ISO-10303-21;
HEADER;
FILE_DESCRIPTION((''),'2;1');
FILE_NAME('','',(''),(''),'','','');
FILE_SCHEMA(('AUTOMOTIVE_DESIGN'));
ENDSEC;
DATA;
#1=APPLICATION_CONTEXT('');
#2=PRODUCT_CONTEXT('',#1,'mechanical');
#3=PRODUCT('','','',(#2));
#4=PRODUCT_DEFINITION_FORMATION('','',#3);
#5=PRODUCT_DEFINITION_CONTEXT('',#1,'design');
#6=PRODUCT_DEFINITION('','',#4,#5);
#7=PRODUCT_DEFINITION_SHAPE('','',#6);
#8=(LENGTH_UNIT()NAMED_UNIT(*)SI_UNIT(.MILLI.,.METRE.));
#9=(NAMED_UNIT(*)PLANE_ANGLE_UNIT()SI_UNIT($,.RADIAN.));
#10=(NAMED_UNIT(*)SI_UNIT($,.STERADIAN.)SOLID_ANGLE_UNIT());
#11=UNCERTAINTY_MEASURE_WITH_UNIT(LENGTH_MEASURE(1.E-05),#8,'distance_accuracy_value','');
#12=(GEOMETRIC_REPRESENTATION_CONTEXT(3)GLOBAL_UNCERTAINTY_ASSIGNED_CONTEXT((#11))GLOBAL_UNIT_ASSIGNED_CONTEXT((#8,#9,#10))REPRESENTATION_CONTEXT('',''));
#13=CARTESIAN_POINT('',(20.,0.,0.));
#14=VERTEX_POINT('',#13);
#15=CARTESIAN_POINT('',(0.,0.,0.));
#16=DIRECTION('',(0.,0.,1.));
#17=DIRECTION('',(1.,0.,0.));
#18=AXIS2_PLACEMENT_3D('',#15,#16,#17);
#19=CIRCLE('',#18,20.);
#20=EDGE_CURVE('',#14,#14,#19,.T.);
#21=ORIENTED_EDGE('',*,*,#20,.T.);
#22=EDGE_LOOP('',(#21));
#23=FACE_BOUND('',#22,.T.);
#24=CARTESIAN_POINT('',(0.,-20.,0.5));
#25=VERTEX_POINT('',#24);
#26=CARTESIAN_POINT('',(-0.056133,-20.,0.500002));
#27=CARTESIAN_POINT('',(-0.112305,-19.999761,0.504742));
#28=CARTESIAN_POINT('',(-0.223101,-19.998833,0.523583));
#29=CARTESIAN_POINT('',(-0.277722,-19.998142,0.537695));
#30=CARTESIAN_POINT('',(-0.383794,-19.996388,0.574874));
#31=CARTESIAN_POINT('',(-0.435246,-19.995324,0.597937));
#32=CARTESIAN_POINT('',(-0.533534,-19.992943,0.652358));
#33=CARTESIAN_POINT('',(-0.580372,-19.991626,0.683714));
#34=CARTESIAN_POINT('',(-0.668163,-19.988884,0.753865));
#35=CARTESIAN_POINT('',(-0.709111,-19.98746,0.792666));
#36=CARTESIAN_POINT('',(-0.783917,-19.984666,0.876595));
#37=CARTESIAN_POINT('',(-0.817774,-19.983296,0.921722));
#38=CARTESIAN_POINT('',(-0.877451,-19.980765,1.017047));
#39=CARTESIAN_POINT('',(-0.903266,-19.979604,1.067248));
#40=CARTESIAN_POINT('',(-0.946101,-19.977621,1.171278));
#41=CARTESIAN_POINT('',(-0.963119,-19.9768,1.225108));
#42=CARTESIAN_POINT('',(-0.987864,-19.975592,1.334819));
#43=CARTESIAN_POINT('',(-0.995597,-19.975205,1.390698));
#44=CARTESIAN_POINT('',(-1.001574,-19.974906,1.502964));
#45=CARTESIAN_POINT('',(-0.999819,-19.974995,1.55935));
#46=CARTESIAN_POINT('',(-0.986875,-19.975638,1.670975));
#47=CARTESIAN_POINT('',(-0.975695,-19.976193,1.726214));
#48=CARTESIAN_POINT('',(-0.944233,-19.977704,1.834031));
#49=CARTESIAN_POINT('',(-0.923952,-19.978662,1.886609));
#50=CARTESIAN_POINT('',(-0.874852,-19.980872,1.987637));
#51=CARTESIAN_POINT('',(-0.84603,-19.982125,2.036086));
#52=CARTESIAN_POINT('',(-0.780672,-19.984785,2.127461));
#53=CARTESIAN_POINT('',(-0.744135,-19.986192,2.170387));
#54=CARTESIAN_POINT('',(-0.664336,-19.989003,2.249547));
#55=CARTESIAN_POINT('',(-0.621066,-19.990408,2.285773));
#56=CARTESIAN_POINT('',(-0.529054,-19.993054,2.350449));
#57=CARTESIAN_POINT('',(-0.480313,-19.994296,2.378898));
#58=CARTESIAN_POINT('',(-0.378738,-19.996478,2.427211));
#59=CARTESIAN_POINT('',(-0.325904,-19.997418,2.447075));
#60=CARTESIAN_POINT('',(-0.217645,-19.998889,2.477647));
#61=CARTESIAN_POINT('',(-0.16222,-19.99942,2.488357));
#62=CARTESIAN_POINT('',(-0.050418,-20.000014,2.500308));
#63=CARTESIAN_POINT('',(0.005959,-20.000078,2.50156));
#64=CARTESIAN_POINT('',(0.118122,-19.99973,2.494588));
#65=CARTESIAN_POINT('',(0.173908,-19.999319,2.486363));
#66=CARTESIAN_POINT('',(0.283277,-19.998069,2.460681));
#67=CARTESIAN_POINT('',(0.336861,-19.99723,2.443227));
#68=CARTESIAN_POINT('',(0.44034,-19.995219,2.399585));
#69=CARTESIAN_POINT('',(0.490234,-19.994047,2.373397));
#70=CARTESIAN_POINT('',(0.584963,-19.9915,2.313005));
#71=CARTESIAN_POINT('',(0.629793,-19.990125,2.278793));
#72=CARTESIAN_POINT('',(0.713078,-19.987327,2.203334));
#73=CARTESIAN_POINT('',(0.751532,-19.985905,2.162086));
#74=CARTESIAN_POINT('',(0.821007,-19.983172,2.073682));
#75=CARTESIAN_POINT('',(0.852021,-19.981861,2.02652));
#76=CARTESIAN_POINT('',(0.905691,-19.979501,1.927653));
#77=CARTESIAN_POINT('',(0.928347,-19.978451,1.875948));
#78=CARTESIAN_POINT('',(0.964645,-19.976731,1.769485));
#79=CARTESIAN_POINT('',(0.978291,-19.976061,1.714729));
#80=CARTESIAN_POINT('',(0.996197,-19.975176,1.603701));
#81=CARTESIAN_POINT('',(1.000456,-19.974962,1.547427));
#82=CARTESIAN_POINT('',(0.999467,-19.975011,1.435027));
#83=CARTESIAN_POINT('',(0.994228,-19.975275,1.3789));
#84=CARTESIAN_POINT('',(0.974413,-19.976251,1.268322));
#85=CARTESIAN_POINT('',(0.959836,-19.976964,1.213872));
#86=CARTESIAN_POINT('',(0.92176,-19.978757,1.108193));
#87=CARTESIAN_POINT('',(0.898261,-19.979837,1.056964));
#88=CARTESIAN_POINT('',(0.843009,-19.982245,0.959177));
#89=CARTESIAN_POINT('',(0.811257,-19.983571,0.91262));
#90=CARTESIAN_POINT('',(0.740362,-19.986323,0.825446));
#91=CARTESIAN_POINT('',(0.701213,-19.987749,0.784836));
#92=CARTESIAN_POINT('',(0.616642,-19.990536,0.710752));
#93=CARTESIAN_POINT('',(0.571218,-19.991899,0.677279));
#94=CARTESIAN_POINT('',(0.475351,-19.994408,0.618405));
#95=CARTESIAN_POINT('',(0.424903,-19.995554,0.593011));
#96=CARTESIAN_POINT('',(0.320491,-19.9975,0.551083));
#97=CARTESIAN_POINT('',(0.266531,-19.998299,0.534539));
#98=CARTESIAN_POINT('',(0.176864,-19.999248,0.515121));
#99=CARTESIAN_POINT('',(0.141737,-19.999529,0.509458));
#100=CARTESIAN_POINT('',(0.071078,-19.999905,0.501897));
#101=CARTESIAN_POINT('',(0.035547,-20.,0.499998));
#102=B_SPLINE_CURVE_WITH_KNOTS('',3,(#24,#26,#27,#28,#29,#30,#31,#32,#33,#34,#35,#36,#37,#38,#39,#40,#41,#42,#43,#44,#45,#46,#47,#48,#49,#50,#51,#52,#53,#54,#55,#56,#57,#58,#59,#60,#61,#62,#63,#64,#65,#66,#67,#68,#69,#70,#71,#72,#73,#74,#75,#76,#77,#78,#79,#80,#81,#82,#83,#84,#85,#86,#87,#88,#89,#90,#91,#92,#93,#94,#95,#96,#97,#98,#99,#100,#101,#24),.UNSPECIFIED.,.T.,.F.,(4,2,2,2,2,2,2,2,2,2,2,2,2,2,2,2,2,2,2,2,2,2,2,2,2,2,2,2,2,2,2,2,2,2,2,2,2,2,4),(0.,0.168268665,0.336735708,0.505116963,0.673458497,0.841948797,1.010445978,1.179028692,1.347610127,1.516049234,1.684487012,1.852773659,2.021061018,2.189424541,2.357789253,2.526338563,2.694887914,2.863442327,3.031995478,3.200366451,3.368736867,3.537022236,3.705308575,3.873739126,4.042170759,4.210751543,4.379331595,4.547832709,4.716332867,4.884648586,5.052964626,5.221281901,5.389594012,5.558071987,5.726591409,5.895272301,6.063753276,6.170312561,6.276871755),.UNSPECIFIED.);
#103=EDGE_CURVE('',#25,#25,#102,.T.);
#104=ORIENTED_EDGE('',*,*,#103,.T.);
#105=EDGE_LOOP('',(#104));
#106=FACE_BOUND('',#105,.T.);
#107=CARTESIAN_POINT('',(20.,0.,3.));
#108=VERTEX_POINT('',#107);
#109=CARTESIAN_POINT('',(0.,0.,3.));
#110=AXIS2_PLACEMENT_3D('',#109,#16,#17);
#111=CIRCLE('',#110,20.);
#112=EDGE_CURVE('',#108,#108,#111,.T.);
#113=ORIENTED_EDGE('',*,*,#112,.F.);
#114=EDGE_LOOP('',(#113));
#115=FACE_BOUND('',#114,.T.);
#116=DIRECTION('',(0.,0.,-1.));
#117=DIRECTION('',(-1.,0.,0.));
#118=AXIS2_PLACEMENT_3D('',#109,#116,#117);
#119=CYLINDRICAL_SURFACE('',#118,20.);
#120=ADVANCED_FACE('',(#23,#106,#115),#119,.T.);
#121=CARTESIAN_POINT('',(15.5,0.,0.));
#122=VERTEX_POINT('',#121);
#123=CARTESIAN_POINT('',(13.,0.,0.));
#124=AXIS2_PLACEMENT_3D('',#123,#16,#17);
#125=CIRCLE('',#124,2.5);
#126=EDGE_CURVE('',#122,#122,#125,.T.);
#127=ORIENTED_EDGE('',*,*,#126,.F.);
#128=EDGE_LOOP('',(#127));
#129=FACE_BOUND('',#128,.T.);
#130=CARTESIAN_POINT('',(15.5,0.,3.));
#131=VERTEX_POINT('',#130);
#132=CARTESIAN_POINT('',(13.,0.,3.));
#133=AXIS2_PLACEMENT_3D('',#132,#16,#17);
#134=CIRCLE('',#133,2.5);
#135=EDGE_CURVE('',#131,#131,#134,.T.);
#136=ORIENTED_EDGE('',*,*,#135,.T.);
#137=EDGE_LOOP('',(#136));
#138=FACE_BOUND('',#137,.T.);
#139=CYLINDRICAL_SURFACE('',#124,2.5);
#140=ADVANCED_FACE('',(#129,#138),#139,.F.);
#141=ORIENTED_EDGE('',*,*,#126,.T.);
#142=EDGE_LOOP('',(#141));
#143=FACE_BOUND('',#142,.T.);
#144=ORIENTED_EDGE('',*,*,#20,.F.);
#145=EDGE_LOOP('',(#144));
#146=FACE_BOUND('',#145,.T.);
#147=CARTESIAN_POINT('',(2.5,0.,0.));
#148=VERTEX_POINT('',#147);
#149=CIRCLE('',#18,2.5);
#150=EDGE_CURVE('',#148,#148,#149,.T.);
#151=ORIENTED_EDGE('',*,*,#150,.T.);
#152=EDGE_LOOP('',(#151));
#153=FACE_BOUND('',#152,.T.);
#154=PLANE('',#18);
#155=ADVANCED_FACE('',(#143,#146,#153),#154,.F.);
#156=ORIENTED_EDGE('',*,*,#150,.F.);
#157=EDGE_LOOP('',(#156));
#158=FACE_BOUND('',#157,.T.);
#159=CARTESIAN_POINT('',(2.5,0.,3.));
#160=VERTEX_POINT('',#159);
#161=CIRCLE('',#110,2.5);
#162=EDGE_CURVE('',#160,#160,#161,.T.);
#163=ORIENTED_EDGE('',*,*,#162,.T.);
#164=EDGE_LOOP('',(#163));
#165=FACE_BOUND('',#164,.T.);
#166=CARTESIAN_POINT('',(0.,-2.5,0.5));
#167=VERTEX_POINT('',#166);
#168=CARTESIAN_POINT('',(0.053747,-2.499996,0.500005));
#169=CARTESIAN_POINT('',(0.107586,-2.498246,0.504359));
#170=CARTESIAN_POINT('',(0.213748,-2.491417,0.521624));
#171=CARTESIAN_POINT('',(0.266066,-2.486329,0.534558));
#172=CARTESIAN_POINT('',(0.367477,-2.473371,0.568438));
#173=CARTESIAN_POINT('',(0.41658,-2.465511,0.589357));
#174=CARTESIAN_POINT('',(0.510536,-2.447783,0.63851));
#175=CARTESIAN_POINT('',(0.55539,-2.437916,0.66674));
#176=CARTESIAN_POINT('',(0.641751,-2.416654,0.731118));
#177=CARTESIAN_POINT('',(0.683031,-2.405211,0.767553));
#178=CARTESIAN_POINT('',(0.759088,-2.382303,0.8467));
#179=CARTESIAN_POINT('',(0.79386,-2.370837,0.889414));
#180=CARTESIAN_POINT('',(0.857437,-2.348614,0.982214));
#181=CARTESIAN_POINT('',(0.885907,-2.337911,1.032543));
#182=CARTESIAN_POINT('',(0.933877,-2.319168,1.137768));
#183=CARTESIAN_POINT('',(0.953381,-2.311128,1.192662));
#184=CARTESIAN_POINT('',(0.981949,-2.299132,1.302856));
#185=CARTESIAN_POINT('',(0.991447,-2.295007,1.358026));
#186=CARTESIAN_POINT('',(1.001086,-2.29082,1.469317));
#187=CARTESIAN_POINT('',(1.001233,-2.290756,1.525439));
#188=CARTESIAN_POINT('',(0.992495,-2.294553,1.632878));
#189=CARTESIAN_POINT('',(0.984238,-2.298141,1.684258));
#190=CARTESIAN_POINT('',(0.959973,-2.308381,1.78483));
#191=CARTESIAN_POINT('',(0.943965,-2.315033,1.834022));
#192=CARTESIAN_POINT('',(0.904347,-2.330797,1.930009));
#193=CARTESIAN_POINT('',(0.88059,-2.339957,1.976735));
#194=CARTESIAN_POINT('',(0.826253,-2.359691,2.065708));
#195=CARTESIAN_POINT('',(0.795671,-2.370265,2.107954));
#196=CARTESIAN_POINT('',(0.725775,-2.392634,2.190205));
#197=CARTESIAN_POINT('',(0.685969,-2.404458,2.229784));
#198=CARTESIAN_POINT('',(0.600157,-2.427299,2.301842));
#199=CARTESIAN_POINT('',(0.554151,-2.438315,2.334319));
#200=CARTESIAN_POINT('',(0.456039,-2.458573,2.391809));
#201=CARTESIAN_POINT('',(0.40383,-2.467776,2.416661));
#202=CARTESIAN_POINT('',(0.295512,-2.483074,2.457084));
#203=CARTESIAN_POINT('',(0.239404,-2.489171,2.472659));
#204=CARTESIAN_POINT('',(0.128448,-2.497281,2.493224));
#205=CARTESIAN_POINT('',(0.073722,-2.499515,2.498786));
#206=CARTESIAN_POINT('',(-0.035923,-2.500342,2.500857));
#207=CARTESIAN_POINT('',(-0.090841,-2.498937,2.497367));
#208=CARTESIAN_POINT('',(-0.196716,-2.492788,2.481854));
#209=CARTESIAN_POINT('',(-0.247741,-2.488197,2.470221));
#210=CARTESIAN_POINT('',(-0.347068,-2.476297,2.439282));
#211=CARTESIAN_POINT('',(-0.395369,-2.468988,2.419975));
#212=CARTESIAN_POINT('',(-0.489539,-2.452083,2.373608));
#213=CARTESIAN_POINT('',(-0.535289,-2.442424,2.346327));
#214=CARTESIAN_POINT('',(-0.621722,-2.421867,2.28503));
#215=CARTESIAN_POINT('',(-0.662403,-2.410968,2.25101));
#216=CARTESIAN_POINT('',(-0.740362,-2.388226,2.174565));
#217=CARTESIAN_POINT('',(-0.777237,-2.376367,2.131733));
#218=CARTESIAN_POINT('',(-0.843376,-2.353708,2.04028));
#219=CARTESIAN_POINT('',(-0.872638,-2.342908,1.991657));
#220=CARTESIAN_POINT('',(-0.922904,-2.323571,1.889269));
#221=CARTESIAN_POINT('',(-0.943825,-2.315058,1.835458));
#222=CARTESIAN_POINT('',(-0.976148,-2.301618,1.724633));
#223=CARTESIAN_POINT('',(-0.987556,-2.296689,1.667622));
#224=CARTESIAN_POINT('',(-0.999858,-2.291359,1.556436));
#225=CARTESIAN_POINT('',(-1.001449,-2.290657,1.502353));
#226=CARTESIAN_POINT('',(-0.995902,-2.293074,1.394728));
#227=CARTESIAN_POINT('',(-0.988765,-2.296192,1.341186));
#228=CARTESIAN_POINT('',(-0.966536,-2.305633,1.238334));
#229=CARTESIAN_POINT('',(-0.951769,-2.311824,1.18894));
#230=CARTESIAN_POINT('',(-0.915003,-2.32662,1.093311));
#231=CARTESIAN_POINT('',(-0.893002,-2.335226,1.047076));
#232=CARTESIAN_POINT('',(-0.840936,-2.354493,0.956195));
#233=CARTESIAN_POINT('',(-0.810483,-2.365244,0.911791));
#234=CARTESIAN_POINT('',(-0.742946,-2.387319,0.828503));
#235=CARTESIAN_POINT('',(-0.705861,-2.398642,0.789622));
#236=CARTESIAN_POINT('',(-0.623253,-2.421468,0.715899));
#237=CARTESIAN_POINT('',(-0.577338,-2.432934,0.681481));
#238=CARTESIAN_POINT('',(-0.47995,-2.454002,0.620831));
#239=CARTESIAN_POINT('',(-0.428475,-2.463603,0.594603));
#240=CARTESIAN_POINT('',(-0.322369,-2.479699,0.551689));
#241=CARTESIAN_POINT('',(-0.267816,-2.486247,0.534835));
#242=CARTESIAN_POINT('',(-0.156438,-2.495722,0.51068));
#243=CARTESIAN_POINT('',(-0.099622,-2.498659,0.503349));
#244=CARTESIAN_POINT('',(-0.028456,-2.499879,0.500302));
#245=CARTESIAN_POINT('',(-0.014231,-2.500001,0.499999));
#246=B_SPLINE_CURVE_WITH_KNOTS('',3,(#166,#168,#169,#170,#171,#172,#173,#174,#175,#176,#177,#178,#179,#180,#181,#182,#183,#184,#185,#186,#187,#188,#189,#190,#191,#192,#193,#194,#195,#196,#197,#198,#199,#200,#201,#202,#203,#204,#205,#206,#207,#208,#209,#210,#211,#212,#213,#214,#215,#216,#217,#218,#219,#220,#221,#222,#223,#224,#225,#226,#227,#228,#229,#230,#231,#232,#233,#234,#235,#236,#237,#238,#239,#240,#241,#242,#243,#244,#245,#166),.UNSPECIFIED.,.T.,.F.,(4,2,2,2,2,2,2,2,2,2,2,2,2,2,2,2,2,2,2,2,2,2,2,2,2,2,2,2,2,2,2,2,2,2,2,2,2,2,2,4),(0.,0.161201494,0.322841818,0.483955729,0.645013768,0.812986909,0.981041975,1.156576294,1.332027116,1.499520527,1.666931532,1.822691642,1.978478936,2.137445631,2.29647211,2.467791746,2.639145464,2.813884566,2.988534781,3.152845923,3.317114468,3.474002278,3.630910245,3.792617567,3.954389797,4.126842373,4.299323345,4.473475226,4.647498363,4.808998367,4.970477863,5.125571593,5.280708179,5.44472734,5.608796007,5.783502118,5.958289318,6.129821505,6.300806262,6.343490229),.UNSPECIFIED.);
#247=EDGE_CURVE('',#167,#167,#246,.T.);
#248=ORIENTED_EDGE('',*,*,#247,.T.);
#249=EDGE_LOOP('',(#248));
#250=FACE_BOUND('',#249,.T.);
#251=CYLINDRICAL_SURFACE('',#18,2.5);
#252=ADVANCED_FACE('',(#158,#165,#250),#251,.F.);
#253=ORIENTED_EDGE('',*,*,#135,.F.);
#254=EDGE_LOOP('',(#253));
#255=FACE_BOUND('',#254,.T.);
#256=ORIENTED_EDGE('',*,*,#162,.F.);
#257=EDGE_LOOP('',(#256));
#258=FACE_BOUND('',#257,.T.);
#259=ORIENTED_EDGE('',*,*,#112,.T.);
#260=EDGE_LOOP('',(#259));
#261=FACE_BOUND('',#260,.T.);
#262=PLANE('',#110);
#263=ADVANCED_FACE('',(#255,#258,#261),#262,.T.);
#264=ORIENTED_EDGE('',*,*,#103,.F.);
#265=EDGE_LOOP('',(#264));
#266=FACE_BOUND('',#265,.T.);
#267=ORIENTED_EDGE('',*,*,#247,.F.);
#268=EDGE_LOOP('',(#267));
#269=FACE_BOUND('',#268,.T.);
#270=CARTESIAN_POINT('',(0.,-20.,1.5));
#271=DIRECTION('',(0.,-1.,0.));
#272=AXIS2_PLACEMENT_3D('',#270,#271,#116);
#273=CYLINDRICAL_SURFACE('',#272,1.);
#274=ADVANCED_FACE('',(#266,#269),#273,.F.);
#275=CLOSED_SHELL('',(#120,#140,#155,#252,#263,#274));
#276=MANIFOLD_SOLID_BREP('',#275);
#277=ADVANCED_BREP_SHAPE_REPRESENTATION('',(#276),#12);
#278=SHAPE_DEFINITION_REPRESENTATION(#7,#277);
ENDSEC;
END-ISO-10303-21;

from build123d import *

# Parameters (mm, degrees)
SKETCH_1_R          = 20
EXTRUDE_1_DEPTH     = 3
SKETCH_2_R          = 2.5
CUT_EXTRUDE_1_DEPTH = 29.442925307
SKETCH_4_R          = 2.5
CUT_EXTRUDE_2_DEPTH = 29.442925307
F_2_0MM_1_REACH     = 46.747
F_2_0MM_1_BORE_R    = 1


with BuildPart() as part:
    # 草图1 → 凸台-拉伸1 (new body)
    with BuildSketch(Plane.XY):
        Circle(SKETCH_1_R)
    extrude(amount=EXTRUDE_1_DEPTH)

    # 草图2 → 切除-拉伸1 (cut, through all)
    with BuildSketch(Plane.XY.offset(3)):
        Circle(SKETCH_2_R)
    extrude(amount=-CUT_EXTRUDE_1_DEPTH, mode=Mode.SUBTRACT)

    # 草图4 → 切除-拉伸2 (cut, through all)
    with BuildSketch(Plane.XY.offset(3)):
        with Locations((13, 0)):
            Circle(SKETCH_4_R)
    extrude(amount=-CUT_EXTRUDE_2_DEPTH, mode=Mode.SUBTRACT)

    # Ø2.0mm 暗销孔1 bore (on position points) → Ø2.0mm 暗销孔1 (cut, up to next)
    with BuildSketch(Plane(origin=(0, -20, 1.5), x_dir=(-1, 0, 0), z_dir=(0, -1, 0)), mode=Mode.PRIVATE) as f_2_0mm_1_sk1:
        Circle(F_2_0MM_1_BORE_R)
    f_2_0mm_1_tool1 = extrude(f_2_0mm_1_sk1.sketch, amount=-F_2_0MM_1_REACH, mode=Mode.PRIVATE) & part.part
    add(f_2_0mm_1_tool1.solids().sort_by_distance((0, -20, 1.5))[0], mode=Mode.SUBTRACT)


solid = part.part
